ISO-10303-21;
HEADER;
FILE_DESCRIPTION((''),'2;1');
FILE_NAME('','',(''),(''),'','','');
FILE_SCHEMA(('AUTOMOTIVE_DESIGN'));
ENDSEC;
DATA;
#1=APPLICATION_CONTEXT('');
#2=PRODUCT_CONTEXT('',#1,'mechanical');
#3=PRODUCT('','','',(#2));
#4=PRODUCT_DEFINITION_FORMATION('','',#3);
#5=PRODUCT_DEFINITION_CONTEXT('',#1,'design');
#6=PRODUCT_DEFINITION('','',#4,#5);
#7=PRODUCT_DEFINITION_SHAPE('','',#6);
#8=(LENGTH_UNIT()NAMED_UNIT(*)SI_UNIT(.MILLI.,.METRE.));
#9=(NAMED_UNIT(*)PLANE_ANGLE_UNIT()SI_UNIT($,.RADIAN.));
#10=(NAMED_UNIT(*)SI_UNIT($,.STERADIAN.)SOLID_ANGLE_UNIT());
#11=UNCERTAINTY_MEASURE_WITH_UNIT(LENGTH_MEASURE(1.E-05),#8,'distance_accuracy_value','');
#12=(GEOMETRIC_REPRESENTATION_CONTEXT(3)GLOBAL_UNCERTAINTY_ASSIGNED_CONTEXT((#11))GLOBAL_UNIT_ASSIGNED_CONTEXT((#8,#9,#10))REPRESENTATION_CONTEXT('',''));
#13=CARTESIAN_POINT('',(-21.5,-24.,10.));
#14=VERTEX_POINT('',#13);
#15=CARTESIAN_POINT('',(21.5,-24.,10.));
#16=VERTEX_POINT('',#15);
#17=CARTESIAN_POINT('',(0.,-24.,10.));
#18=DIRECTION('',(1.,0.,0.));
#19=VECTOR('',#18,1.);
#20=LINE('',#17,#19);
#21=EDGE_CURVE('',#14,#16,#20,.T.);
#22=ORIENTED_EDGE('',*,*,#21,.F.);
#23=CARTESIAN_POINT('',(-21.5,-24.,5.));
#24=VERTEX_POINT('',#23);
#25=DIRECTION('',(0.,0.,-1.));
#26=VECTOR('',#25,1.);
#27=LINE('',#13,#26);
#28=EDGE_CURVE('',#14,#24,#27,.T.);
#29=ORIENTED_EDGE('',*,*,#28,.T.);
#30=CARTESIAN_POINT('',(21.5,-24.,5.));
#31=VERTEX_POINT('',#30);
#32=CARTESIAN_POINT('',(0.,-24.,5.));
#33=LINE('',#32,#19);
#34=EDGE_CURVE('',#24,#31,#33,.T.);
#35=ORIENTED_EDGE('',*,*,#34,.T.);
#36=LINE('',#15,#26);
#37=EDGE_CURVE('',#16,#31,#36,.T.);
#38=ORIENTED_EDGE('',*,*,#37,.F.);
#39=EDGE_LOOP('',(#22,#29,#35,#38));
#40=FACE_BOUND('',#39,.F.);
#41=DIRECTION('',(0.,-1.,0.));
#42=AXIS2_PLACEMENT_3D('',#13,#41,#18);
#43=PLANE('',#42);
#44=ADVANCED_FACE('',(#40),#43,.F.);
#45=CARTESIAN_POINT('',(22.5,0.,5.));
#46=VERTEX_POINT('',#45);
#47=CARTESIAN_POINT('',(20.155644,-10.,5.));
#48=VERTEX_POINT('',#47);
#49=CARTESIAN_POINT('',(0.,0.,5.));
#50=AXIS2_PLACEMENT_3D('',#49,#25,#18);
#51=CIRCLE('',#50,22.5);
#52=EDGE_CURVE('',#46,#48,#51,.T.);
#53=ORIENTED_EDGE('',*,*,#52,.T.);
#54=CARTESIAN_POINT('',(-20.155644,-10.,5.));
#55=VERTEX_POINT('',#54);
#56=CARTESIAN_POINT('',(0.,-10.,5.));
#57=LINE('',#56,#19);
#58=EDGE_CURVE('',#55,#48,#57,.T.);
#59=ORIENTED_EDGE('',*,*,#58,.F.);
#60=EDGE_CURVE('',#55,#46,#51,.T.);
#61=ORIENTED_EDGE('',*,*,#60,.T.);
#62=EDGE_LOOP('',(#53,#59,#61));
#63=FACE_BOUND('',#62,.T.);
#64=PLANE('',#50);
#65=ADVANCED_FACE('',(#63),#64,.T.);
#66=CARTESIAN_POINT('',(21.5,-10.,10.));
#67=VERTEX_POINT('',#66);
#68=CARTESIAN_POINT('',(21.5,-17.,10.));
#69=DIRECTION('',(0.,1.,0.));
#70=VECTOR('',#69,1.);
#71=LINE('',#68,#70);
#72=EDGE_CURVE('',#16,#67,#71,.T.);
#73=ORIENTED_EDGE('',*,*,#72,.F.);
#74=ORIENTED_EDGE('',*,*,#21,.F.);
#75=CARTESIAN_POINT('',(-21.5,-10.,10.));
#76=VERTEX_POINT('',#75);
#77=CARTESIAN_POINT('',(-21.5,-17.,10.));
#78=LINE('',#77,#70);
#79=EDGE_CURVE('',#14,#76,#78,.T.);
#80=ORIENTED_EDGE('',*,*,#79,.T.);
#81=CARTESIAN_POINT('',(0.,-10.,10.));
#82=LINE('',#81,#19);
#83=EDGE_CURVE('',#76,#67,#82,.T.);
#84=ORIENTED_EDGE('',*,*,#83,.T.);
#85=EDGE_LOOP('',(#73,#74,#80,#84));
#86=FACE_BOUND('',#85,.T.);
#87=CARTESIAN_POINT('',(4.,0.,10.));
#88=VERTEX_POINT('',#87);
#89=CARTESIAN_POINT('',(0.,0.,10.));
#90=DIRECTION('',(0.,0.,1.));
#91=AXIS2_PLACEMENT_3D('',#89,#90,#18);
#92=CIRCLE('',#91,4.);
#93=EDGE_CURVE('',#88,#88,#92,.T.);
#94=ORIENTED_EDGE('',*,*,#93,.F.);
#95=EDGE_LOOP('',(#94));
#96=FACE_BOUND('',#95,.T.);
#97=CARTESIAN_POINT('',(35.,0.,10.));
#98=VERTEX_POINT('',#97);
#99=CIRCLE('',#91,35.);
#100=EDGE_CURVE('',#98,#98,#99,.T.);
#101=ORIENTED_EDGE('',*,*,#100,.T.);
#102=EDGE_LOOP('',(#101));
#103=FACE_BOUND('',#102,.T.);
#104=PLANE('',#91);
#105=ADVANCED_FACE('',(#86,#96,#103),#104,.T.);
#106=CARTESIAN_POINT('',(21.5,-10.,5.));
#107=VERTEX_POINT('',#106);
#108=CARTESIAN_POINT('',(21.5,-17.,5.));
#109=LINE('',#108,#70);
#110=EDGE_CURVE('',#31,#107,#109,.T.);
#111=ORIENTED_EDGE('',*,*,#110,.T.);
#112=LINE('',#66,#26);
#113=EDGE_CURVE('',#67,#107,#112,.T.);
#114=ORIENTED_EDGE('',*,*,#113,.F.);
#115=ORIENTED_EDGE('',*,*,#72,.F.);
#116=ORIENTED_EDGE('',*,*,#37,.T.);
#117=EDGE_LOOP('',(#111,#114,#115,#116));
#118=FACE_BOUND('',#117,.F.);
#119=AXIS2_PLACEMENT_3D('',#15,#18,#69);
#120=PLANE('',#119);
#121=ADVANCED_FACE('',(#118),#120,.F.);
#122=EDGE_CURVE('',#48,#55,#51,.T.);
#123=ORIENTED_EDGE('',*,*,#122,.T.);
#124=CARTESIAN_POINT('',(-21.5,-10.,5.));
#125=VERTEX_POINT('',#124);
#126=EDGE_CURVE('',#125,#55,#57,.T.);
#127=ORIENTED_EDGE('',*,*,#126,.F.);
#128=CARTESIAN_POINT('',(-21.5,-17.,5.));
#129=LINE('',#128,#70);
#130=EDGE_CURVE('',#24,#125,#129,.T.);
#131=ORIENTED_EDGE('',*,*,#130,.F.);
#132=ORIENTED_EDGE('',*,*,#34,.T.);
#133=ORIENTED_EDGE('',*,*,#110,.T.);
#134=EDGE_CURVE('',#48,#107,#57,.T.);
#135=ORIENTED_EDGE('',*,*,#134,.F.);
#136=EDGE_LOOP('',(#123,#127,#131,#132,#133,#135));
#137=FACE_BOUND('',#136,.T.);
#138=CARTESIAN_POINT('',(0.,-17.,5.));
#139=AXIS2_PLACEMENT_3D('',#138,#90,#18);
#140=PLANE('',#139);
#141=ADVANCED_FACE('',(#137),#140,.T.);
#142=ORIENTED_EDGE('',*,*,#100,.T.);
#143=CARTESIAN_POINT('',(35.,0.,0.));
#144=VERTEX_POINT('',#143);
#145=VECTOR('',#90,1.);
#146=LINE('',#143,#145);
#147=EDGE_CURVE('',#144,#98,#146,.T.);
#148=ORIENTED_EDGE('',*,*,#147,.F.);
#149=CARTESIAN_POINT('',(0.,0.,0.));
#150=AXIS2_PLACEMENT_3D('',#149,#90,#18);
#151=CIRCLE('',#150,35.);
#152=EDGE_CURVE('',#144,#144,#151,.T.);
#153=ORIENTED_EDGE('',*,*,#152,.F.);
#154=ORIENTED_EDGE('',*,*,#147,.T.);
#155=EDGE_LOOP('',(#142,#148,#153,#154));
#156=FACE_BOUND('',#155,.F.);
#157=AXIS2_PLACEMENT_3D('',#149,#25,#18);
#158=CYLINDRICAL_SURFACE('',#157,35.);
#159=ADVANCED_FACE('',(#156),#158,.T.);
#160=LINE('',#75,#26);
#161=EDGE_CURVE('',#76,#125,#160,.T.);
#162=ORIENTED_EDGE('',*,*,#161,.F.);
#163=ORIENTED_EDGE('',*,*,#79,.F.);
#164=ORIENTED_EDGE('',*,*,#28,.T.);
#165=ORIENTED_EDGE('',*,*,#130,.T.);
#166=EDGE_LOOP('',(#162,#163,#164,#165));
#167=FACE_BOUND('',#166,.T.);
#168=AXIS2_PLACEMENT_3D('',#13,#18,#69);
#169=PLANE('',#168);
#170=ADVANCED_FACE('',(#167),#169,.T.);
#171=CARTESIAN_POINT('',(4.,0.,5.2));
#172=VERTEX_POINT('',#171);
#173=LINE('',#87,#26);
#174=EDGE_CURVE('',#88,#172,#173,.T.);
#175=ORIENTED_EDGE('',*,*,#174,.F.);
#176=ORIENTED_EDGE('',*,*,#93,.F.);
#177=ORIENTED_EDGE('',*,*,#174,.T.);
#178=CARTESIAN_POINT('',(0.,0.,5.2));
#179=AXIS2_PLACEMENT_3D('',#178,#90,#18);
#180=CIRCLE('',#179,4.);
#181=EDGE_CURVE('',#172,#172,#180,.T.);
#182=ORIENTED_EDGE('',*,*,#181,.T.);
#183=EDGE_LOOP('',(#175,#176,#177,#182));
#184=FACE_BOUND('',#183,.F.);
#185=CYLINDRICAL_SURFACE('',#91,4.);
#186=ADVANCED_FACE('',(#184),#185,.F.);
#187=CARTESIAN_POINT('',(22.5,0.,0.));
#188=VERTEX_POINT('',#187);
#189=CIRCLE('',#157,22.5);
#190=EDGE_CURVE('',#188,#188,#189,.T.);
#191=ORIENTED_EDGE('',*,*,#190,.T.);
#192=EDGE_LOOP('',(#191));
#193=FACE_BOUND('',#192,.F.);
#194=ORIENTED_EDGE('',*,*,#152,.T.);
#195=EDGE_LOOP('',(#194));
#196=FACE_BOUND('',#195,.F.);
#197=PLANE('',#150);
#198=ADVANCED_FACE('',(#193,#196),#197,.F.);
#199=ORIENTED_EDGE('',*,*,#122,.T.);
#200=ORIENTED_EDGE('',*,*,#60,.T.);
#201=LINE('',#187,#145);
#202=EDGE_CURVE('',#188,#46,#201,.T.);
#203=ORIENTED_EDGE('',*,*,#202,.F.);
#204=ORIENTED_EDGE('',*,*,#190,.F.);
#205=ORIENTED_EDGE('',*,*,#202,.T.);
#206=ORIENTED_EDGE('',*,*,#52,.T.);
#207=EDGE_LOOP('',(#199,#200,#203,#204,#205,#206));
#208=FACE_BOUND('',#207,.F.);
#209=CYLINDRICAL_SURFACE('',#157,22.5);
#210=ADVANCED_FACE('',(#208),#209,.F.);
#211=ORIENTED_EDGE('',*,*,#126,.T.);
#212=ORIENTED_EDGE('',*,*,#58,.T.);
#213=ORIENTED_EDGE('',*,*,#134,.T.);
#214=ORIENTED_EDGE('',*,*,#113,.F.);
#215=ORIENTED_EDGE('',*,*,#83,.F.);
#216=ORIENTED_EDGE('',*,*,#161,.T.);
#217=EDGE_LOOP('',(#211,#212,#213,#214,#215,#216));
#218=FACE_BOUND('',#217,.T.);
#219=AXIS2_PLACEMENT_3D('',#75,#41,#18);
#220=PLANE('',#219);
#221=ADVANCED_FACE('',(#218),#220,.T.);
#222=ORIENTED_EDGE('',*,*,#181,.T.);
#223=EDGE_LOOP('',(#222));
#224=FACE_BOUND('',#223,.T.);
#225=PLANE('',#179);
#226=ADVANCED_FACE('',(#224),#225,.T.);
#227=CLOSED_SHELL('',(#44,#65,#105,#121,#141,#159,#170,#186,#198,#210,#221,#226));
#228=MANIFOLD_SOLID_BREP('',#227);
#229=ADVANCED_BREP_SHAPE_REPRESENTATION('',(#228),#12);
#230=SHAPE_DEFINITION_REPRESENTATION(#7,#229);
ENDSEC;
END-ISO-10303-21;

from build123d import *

# Parameters (mm, degrees)
F0_R     = 35
F1_DEPTH = 10
F2_R     = 22.5
F3_DEPTH = 5
F4_W     = 43
F4_H     = 14
F5_DEPTH = 5
F6_R     = 4
F7_DEPTH = 4.8


with BuildPart() as f1:
    # F0 (on Top) → F1 (new body)
    with BuildSketch(Plane.XY):
        Circle(F0_R)
    extrude(amount=F1_DEPTH)

    # F2 (on face) → F3 (cut)
    with BuildSketch(Plane(origin=(0, 0, 0), x_dir=(1, 0, 0), z_dir=(0, 0, -1))):
        Circle(F2_R)
    extrude(amount=-F3_DEPTH, mode=Mode.SUBTRACT)

    # F4 (on face) → F5 (cut)
    with BuildSketch(Plane.XY.offset(10)):
        with Locations((0, -17)):
            Rectangle(F4_W, F4_H)
    extrude(amount=-F5_DEPTH, mode=Mode.SUBTRACT)

    # F6 (on face) → F7 (cut)
    with BuildSketch(Plane.XY.offset(10)):
        Circle(F6_R)
    extrude(amount=-F7_DEPTH, mode=Mode.SUBTRACT)


solid = f1.part
